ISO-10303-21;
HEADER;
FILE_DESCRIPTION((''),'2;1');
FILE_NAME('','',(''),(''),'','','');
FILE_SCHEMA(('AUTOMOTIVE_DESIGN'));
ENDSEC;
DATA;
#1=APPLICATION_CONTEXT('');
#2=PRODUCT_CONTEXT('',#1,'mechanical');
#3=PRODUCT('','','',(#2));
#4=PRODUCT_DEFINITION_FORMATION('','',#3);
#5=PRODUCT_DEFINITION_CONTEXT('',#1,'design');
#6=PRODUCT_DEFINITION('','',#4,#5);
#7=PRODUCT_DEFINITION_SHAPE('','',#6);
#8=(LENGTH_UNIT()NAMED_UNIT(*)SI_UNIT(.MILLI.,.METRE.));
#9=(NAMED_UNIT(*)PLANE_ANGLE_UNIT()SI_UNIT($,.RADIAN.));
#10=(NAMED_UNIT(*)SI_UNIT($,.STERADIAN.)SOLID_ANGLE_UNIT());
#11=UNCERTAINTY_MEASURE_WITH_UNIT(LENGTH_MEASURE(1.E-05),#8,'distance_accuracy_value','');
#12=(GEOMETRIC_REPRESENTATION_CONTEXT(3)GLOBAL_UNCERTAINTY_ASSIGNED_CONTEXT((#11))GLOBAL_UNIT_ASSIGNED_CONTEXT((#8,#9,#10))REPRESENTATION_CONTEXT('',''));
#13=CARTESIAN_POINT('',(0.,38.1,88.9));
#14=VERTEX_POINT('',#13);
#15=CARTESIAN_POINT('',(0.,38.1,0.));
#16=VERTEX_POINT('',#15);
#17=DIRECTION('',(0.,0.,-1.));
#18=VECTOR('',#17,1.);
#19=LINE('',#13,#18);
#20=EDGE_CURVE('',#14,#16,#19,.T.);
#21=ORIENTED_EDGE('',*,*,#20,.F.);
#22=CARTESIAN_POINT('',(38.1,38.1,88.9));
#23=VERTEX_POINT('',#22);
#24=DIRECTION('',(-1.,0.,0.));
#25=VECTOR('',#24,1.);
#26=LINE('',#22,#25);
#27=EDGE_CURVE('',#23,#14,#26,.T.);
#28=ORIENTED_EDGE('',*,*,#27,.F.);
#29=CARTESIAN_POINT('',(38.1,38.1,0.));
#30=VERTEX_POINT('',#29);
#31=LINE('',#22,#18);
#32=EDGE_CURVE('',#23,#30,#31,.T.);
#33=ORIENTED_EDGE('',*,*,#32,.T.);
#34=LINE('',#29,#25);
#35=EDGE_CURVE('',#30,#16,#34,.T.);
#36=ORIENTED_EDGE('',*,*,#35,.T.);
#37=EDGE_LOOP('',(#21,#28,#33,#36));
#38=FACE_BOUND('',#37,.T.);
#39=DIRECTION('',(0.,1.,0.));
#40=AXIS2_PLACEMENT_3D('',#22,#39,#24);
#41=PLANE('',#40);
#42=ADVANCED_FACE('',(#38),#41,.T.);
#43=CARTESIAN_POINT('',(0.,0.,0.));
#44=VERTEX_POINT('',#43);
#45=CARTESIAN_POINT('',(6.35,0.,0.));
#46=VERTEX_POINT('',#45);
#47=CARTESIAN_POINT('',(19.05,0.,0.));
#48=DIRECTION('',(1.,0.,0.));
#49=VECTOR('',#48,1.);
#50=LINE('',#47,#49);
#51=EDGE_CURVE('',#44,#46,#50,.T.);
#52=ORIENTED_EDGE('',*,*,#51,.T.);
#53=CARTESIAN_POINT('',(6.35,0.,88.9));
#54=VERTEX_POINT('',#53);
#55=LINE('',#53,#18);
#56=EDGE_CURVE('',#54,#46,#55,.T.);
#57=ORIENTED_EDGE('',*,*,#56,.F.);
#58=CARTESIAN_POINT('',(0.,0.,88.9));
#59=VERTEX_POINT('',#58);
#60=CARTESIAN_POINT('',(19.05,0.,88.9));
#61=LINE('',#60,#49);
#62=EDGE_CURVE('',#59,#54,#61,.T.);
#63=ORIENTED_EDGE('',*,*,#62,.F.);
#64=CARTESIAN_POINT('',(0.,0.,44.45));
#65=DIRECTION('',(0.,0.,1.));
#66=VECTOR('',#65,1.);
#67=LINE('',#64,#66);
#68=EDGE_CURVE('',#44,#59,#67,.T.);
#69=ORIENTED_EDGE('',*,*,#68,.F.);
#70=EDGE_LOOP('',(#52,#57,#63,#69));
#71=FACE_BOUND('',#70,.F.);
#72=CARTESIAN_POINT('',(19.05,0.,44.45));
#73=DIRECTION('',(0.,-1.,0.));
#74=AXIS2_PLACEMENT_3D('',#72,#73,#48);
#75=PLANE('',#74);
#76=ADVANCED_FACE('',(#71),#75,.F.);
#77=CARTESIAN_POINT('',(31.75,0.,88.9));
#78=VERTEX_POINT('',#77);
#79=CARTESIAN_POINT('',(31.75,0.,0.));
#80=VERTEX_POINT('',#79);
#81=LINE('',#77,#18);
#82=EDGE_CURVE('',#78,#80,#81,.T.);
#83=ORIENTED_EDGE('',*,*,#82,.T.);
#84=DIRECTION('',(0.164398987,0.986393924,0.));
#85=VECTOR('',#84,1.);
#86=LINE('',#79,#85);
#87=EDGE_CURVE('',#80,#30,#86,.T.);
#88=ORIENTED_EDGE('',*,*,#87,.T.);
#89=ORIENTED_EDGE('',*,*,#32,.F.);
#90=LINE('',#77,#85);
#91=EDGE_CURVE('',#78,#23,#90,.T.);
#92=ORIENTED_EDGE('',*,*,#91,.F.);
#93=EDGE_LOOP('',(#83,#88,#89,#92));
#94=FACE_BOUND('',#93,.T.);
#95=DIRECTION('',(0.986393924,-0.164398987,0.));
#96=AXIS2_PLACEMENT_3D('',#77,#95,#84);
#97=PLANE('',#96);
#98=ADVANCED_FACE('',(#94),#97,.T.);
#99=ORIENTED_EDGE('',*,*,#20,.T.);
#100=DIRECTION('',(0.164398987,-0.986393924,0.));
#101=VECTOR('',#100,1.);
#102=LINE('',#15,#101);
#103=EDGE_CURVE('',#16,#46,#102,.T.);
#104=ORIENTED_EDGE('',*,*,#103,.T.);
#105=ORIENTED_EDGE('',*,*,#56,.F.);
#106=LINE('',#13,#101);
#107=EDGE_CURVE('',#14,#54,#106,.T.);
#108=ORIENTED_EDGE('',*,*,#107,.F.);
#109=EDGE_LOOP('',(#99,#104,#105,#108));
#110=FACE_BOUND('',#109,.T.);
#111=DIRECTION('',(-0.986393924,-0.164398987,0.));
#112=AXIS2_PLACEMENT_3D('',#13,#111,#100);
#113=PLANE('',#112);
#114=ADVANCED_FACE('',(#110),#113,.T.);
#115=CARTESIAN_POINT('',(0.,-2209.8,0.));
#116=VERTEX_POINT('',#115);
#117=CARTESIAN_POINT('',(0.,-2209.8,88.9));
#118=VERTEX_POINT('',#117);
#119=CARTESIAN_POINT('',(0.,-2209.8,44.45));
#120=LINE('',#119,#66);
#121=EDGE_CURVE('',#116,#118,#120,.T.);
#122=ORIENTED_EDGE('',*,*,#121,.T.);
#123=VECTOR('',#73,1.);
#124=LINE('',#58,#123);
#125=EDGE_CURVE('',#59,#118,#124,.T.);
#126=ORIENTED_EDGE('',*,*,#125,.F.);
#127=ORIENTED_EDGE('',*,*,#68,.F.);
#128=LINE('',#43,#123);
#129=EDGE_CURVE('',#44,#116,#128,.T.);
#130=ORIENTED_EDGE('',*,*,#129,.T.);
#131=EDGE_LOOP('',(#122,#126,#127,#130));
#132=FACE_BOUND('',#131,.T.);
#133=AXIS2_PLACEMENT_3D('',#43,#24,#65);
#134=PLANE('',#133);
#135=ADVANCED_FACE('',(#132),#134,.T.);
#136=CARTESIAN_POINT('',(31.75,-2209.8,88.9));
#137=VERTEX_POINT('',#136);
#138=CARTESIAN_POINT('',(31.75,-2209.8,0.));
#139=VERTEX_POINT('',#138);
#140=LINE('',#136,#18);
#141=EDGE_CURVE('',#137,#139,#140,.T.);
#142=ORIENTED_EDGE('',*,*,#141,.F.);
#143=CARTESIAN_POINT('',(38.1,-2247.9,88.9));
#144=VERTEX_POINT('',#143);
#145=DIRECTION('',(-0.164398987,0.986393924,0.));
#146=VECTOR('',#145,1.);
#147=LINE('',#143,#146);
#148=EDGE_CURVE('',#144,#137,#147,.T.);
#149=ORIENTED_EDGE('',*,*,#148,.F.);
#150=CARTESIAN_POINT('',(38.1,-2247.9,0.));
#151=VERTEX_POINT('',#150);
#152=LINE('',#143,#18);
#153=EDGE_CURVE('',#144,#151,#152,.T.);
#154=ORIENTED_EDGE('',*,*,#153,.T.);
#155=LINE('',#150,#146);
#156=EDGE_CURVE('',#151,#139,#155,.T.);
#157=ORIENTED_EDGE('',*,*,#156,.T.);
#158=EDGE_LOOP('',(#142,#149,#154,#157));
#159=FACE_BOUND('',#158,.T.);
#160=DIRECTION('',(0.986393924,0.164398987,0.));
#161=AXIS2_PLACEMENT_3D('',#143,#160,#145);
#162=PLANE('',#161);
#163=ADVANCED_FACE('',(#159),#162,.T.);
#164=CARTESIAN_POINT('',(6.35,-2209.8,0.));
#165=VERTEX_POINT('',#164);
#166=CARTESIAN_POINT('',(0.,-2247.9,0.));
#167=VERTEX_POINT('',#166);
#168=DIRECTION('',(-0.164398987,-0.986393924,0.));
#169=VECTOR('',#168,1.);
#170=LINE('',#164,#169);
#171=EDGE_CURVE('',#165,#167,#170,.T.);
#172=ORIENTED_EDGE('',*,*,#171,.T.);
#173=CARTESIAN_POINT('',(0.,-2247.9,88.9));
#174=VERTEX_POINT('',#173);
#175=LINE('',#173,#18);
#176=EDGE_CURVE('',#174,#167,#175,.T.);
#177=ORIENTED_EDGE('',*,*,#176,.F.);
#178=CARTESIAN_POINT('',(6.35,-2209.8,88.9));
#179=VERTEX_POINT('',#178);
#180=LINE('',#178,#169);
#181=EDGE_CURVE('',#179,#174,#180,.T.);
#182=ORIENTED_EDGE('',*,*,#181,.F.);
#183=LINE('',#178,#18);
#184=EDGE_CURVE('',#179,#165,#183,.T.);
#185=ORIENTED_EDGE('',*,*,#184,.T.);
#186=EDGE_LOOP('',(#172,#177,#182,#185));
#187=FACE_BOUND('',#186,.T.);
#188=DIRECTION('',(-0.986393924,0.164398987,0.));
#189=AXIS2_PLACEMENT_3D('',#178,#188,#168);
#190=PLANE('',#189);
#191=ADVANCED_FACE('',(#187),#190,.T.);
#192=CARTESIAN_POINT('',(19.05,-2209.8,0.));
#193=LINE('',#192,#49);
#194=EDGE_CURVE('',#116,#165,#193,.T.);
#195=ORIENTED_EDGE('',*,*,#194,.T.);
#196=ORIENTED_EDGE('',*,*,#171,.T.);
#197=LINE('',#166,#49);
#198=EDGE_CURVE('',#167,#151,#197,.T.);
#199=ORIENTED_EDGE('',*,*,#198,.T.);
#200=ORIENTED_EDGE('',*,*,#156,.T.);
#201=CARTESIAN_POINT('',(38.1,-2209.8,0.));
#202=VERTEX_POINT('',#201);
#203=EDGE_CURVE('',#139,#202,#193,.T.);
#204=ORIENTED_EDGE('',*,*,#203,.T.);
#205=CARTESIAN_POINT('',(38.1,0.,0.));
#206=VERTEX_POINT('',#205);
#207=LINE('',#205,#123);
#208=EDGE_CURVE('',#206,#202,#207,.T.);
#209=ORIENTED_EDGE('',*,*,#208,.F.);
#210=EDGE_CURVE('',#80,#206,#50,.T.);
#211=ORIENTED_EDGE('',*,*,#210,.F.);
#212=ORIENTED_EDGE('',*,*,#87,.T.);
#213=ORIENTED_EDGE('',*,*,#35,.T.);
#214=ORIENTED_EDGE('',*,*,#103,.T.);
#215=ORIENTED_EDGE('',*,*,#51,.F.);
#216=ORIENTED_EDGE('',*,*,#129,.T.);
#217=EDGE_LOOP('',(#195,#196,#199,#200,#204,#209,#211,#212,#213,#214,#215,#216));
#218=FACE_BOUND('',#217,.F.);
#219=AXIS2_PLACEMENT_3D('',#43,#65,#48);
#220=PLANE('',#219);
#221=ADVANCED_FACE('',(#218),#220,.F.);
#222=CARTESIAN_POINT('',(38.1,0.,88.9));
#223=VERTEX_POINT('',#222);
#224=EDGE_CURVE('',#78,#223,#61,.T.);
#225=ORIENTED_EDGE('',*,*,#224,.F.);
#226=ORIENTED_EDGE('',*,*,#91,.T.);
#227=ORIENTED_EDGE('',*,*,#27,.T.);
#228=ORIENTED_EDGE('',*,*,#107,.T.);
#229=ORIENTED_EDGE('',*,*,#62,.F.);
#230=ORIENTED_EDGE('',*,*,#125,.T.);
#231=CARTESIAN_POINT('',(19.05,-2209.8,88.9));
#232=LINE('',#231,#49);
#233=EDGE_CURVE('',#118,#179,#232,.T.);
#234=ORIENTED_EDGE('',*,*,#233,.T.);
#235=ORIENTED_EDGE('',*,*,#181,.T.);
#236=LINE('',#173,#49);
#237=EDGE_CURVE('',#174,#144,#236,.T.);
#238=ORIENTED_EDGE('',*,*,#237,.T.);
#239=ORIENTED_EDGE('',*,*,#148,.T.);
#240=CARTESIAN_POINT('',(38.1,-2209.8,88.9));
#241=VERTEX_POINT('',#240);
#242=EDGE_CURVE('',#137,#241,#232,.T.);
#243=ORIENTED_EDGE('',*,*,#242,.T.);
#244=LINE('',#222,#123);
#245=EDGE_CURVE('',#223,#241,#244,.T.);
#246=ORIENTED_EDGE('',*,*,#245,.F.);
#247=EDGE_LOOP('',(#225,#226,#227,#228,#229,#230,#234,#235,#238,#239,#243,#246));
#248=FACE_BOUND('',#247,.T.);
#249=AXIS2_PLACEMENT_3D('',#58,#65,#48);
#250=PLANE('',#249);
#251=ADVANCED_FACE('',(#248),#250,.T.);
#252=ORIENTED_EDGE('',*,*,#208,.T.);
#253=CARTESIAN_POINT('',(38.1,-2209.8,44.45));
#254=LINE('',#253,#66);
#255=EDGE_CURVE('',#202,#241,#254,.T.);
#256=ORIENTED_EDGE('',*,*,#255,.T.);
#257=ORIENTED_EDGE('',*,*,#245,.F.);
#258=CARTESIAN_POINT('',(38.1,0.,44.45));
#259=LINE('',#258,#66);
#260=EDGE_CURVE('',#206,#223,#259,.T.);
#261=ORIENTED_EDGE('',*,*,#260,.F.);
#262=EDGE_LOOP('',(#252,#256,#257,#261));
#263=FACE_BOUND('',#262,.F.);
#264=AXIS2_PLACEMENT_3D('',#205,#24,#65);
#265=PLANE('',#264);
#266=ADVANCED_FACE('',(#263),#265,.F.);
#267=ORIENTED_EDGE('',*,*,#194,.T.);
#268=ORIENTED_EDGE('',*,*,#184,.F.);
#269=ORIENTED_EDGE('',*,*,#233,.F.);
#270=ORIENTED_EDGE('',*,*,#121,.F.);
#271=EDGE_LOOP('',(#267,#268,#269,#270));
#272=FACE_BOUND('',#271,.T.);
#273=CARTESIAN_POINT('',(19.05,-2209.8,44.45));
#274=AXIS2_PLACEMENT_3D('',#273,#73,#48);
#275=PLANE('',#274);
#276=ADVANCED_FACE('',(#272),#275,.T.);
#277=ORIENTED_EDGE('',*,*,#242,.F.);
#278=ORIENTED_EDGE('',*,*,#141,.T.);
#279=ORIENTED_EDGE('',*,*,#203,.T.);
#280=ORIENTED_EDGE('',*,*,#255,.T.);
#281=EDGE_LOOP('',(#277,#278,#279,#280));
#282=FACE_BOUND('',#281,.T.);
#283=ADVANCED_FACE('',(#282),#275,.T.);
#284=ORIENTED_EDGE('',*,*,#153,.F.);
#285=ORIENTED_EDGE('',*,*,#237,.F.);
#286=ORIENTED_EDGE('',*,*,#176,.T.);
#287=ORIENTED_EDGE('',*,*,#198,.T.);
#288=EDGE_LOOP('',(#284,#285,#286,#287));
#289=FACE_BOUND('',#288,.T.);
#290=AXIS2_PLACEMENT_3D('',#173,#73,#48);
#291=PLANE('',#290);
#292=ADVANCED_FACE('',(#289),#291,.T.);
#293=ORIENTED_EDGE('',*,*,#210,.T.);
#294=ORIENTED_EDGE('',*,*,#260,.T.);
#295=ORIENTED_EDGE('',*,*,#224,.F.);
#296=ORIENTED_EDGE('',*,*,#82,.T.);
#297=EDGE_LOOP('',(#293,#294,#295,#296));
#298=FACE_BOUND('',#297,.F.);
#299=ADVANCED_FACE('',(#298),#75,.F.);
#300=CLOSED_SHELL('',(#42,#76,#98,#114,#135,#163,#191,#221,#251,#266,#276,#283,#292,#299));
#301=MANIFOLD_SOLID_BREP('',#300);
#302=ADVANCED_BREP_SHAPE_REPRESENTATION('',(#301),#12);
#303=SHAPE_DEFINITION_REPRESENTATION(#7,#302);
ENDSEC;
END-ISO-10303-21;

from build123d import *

# Parameters (mm, degrees)
F0_W     = 38.1
F0_H     = 88.9
F1_DEPTH = 2209.8
F3_DEPTH = 88.9


with BuildPart() as f1:
    # F0 (on Front) → F1 (new body)
    with BuildSketch(Plane.XZ):
        with Locations((19.05, 44.45)):
            Rectangle(F0_W, F0_H)
    extrude(amount=F1_DEPTH)

    # F2 (on face) → F3 (join, through all)
    with BuildSketch(Plane.XY.offset(88.9)):
        Polygon((0, 38.1), (6.35, 0), (31.75, 0), (38.1, 38.1), align=None)
        Polygon((31.75, -2209.8), (6.35, -2209.8), (0, -2247.9), (38.1, -2247.9), align=None)
    extrude(amount=-F3_DEPTH)


solid = f1.part
